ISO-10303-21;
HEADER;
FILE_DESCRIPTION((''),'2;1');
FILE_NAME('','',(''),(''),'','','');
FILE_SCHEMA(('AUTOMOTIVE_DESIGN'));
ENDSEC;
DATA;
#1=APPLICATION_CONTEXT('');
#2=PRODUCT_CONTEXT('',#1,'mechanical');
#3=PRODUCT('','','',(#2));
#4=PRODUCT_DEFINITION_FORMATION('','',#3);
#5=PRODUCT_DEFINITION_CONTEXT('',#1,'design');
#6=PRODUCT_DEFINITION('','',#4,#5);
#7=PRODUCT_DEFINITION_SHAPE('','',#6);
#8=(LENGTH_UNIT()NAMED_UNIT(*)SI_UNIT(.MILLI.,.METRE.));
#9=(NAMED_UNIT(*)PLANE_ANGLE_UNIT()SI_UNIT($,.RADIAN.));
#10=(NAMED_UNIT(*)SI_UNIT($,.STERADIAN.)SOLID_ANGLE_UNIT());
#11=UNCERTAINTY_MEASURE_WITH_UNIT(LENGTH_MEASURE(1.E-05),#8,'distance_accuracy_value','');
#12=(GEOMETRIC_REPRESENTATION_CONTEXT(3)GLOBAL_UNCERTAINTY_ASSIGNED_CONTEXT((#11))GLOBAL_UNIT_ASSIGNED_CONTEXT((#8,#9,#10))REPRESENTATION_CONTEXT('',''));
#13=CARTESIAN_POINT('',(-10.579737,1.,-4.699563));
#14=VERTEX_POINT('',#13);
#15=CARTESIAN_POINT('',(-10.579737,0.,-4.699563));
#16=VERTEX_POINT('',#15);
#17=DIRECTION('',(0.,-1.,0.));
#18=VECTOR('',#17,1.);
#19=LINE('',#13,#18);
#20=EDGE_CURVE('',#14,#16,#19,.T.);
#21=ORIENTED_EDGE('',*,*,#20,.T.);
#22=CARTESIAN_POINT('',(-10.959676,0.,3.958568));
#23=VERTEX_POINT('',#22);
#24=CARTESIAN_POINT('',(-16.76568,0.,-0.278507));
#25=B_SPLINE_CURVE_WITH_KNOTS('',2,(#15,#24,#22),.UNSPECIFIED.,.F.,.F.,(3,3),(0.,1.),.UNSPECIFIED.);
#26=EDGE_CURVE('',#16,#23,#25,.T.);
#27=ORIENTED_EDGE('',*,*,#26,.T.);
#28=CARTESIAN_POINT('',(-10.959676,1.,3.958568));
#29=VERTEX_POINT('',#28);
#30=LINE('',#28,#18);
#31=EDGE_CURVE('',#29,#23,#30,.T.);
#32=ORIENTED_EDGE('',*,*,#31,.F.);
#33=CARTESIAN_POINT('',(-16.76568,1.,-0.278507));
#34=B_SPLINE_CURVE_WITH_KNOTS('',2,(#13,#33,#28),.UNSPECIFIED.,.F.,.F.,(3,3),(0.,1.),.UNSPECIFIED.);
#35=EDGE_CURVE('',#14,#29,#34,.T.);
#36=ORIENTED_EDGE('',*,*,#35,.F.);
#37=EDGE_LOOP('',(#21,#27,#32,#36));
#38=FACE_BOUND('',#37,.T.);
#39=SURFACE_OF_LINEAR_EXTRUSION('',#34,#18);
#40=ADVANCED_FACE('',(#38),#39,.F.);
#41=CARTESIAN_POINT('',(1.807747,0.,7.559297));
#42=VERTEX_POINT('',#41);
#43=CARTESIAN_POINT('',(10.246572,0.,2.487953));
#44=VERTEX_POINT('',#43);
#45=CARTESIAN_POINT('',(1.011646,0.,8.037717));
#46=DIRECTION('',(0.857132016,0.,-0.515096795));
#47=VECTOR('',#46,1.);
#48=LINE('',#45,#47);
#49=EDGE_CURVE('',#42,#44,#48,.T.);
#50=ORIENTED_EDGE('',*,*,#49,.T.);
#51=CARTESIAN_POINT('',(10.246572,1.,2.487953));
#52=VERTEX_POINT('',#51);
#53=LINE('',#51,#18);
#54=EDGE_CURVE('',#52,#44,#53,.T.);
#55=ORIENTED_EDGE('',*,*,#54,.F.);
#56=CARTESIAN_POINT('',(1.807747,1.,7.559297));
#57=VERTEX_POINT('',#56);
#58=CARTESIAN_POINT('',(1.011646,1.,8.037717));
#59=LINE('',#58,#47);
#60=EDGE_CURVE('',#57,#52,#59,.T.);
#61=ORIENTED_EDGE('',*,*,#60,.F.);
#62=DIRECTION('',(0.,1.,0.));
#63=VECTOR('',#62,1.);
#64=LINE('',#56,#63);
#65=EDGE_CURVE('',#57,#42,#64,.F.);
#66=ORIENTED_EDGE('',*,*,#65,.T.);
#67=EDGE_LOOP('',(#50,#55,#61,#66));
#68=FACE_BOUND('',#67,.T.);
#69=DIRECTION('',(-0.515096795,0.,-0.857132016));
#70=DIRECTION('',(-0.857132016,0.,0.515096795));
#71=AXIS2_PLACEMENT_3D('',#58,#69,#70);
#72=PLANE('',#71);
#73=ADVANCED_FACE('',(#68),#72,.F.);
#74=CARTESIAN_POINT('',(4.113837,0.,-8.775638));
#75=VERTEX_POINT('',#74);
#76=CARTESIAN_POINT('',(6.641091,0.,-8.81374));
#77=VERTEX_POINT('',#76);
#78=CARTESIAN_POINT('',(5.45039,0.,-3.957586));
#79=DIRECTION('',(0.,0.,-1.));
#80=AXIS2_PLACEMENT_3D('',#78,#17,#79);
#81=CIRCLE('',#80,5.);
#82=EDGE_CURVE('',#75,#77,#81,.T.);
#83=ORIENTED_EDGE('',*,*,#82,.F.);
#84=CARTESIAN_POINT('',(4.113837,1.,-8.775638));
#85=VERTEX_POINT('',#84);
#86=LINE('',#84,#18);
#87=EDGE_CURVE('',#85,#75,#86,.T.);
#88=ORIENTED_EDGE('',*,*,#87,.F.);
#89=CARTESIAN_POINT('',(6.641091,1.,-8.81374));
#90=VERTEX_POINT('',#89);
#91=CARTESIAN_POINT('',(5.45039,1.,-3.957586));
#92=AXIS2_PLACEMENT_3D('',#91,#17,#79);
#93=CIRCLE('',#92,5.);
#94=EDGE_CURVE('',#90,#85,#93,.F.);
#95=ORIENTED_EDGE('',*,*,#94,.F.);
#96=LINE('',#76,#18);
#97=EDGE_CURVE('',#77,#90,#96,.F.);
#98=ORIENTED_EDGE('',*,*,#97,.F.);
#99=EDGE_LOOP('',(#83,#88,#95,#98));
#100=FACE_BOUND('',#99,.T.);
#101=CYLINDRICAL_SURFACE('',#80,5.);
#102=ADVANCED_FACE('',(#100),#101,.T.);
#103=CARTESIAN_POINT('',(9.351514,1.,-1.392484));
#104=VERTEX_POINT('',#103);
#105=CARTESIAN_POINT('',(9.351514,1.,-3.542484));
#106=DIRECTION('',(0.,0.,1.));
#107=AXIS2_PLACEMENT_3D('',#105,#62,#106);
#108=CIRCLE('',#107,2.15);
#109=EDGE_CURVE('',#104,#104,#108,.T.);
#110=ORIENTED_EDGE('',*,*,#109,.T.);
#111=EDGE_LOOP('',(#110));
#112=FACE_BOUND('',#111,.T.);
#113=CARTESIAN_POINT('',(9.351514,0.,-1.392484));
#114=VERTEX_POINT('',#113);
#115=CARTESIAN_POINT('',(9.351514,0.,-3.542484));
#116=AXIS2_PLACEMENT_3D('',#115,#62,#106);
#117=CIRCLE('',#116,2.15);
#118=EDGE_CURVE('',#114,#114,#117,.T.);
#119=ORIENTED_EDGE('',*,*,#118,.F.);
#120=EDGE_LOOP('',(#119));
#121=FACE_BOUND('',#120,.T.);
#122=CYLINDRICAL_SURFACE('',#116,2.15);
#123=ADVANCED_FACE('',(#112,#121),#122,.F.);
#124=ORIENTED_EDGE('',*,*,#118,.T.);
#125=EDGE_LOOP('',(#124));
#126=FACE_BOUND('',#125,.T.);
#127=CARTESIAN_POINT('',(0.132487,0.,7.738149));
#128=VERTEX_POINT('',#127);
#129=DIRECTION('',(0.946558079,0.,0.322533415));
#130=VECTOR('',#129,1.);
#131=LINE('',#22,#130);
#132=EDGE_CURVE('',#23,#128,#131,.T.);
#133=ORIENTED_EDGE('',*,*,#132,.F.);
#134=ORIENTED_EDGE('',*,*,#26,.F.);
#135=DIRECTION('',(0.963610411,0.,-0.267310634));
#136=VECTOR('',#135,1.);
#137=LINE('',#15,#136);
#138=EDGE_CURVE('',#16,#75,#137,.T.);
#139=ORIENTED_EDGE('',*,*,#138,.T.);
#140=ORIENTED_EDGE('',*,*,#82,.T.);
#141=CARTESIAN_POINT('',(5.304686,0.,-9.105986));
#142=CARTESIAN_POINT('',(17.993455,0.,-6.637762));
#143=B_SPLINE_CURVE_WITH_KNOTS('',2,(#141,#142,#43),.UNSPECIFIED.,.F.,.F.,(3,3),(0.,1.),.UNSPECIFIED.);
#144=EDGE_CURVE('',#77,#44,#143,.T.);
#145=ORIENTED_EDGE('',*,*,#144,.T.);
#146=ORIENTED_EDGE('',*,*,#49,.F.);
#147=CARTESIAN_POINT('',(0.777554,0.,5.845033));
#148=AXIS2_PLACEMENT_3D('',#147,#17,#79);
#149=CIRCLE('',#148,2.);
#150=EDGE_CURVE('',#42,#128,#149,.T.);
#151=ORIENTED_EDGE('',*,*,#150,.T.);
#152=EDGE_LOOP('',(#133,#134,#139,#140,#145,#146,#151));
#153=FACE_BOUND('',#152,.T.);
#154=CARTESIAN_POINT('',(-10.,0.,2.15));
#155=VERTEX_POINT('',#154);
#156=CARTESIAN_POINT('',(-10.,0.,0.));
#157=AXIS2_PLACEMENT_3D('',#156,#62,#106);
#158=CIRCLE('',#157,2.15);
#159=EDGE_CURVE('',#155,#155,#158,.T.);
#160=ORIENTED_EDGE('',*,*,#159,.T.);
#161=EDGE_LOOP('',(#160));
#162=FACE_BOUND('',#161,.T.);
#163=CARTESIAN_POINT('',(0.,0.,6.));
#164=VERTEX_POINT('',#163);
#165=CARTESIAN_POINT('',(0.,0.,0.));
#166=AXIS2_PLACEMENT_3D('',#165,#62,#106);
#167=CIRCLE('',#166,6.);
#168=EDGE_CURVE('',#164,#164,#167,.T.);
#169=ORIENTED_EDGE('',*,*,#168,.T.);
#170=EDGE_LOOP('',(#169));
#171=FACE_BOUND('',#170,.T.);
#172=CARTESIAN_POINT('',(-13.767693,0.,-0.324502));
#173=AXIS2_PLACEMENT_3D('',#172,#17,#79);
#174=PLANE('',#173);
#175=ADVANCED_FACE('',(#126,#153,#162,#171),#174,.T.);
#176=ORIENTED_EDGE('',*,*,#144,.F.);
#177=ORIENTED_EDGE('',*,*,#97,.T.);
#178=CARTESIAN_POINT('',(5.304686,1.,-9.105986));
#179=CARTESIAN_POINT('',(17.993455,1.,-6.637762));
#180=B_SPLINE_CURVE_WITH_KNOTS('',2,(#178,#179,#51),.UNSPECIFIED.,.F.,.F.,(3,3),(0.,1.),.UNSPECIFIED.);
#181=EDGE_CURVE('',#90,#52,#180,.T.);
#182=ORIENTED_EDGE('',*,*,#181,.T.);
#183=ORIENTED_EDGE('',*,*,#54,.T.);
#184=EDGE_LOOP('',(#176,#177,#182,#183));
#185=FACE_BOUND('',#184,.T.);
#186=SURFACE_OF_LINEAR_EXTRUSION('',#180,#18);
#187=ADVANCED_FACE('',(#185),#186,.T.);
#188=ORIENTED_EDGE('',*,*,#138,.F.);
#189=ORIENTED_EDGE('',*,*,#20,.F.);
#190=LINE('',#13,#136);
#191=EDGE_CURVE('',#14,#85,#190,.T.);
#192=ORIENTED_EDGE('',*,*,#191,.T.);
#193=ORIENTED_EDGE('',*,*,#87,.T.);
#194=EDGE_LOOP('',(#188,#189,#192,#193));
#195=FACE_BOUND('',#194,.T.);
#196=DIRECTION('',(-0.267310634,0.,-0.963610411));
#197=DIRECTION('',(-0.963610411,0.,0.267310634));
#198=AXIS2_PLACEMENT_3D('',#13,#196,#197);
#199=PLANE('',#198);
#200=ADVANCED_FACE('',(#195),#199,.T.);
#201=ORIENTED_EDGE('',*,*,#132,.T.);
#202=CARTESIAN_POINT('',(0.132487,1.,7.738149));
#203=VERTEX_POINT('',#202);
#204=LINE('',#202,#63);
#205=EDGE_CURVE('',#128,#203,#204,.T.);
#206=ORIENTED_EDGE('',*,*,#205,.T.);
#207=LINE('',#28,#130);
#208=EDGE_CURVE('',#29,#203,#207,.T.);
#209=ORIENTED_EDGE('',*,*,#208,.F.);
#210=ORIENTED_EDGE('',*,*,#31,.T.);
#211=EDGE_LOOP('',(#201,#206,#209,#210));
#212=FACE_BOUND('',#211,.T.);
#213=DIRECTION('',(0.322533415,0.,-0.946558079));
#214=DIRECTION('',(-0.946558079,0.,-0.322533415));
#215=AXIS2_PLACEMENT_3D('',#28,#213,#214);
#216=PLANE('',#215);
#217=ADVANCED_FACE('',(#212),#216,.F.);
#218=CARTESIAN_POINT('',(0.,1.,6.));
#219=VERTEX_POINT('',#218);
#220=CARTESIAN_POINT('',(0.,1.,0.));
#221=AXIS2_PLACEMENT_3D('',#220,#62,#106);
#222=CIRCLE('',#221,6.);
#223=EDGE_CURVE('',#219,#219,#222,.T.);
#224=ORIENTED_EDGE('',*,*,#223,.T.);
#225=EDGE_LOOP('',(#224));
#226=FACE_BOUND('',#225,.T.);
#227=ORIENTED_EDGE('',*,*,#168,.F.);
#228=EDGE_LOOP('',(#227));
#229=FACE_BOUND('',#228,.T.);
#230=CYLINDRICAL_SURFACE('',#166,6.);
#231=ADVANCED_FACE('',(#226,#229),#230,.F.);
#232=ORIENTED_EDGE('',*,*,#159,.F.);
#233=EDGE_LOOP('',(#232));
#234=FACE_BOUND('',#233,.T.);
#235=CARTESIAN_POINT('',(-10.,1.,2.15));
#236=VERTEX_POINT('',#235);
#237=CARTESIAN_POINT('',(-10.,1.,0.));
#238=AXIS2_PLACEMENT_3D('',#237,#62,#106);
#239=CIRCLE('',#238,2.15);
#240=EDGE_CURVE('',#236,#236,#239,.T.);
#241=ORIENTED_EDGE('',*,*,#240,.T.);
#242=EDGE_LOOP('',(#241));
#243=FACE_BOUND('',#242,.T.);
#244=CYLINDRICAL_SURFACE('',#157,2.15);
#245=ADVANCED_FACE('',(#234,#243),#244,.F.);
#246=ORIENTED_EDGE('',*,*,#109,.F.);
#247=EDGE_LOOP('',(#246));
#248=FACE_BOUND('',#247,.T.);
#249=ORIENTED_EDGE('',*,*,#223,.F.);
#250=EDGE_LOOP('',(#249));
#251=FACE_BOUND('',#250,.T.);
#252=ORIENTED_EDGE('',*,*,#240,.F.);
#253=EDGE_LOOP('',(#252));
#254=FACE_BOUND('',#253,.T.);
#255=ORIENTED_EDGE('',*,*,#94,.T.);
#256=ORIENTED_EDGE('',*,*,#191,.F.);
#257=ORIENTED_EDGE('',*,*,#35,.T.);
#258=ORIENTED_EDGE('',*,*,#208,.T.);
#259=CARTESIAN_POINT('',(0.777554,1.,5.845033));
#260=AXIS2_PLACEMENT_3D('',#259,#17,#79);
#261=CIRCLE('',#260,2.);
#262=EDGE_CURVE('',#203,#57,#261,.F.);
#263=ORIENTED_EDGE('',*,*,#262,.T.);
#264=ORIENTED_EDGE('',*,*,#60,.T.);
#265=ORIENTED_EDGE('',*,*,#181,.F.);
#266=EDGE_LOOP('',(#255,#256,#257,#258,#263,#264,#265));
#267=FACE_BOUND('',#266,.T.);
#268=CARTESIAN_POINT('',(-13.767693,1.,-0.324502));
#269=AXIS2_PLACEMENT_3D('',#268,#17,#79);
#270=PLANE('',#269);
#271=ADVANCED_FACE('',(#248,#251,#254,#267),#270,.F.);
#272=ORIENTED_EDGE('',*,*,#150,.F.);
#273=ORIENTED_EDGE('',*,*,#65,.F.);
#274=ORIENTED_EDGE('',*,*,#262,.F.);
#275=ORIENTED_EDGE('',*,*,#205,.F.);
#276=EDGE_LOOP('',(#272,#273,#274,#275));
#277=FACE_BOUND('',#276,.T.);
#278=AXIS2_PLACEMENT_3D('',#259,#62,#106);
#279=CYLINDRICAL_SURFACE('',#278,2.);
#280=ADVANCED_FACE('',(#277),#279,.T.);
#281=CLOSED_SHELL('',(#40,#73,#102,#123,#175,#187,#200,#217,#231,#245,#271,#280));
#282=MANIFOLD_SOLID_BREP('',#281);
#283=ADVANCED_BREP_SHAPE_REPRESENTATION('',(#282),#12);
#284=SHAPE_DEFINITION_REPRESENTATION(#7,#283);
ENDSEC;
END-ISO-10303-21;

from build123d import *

# Parameters (mm, degrees)
BOSS_EXTRUDE2_DEPTH = 1
SKETCH3_R           = 6
SKETCH3_R_2         = 2.15
CUT_EXTRUDE1_DEPTH  = 1
FILLET1_R           = 2
FILLET4_R           = 5


with BuildPart() as part:
    # Sketch1 → Boss-Extrude2 (new body)
    with BuildSketch(Plane(origin=(0, 0, 0), x_dir=(1, 0, 0), z_dir=(0, 1, 0))):
        with BuildLine():
            Line((-10.579737185, 4.699562588), (5.304686116, 9.105985786))
            add(Edge.make_bspline(
                [(5.304686116, 9.105985786), (17.993455135, 6.637762386), (10.246572083, -2.487952551)],
                knots=[0, 0, 0, 1, 1, 1], degree=2))
            Line((10.246572083, -2.487952551), (1.011646395, -8.037716806))
            Line((1.011646395, -8.037716806), (-10.959675931, -3.958567779))
            add(Edge.make_bspline(
                [(-10.579737185, 4.699562588), (-16.765680179, 0.278506662), (-10.959675931, -3.958567779)],
                knots=[0, 0, 0, 1, 1, 1], degree=2))
        make_face()
    extrude(amount=BOSS_EXTRUDE2_DEPTH)

    # Sketch3 → Cut-Extrude1 (cut)
    with BuildSketch(Plane(origin=(0, 1, 0), x_dir=(1, 0, 0), z_dir=(0, 1, 0))):
        with Locations(Location((0, 0, 0), (0, 0, 270))):
            Circle(SKETCH3_R)
        with Locations(Location((-10, 0, 0), (0, 0, 270))):
            Circle(SKETCH3_R_2)
        with Locations(Location((9.351513774, 3.542483611, 0), (0, 0, 270))):
            Circle(SKETCH3_R_2)
    extrude(amount=-CUT_EXTRUDE1_DEPTH, mode=Mode.SUBTRACT)

    # Fillet1
    fillet1_edges = [part.edges().sort_by_distance(p)[0] for p in [
        (1.011646395, 0.5, 8.037716806),
    ]]
    fillet(fillet1_edges, radius=FILLET1_R)

    # Fillet4
    fillet4_edges = [part.edges().sort_by_distance(p)[0] for p in [
        (5.304686116, 0.5, -9.105985786),
    ]]
    fillet(fillet4_edges, radius=FILLET4_R)


solid = part.part
